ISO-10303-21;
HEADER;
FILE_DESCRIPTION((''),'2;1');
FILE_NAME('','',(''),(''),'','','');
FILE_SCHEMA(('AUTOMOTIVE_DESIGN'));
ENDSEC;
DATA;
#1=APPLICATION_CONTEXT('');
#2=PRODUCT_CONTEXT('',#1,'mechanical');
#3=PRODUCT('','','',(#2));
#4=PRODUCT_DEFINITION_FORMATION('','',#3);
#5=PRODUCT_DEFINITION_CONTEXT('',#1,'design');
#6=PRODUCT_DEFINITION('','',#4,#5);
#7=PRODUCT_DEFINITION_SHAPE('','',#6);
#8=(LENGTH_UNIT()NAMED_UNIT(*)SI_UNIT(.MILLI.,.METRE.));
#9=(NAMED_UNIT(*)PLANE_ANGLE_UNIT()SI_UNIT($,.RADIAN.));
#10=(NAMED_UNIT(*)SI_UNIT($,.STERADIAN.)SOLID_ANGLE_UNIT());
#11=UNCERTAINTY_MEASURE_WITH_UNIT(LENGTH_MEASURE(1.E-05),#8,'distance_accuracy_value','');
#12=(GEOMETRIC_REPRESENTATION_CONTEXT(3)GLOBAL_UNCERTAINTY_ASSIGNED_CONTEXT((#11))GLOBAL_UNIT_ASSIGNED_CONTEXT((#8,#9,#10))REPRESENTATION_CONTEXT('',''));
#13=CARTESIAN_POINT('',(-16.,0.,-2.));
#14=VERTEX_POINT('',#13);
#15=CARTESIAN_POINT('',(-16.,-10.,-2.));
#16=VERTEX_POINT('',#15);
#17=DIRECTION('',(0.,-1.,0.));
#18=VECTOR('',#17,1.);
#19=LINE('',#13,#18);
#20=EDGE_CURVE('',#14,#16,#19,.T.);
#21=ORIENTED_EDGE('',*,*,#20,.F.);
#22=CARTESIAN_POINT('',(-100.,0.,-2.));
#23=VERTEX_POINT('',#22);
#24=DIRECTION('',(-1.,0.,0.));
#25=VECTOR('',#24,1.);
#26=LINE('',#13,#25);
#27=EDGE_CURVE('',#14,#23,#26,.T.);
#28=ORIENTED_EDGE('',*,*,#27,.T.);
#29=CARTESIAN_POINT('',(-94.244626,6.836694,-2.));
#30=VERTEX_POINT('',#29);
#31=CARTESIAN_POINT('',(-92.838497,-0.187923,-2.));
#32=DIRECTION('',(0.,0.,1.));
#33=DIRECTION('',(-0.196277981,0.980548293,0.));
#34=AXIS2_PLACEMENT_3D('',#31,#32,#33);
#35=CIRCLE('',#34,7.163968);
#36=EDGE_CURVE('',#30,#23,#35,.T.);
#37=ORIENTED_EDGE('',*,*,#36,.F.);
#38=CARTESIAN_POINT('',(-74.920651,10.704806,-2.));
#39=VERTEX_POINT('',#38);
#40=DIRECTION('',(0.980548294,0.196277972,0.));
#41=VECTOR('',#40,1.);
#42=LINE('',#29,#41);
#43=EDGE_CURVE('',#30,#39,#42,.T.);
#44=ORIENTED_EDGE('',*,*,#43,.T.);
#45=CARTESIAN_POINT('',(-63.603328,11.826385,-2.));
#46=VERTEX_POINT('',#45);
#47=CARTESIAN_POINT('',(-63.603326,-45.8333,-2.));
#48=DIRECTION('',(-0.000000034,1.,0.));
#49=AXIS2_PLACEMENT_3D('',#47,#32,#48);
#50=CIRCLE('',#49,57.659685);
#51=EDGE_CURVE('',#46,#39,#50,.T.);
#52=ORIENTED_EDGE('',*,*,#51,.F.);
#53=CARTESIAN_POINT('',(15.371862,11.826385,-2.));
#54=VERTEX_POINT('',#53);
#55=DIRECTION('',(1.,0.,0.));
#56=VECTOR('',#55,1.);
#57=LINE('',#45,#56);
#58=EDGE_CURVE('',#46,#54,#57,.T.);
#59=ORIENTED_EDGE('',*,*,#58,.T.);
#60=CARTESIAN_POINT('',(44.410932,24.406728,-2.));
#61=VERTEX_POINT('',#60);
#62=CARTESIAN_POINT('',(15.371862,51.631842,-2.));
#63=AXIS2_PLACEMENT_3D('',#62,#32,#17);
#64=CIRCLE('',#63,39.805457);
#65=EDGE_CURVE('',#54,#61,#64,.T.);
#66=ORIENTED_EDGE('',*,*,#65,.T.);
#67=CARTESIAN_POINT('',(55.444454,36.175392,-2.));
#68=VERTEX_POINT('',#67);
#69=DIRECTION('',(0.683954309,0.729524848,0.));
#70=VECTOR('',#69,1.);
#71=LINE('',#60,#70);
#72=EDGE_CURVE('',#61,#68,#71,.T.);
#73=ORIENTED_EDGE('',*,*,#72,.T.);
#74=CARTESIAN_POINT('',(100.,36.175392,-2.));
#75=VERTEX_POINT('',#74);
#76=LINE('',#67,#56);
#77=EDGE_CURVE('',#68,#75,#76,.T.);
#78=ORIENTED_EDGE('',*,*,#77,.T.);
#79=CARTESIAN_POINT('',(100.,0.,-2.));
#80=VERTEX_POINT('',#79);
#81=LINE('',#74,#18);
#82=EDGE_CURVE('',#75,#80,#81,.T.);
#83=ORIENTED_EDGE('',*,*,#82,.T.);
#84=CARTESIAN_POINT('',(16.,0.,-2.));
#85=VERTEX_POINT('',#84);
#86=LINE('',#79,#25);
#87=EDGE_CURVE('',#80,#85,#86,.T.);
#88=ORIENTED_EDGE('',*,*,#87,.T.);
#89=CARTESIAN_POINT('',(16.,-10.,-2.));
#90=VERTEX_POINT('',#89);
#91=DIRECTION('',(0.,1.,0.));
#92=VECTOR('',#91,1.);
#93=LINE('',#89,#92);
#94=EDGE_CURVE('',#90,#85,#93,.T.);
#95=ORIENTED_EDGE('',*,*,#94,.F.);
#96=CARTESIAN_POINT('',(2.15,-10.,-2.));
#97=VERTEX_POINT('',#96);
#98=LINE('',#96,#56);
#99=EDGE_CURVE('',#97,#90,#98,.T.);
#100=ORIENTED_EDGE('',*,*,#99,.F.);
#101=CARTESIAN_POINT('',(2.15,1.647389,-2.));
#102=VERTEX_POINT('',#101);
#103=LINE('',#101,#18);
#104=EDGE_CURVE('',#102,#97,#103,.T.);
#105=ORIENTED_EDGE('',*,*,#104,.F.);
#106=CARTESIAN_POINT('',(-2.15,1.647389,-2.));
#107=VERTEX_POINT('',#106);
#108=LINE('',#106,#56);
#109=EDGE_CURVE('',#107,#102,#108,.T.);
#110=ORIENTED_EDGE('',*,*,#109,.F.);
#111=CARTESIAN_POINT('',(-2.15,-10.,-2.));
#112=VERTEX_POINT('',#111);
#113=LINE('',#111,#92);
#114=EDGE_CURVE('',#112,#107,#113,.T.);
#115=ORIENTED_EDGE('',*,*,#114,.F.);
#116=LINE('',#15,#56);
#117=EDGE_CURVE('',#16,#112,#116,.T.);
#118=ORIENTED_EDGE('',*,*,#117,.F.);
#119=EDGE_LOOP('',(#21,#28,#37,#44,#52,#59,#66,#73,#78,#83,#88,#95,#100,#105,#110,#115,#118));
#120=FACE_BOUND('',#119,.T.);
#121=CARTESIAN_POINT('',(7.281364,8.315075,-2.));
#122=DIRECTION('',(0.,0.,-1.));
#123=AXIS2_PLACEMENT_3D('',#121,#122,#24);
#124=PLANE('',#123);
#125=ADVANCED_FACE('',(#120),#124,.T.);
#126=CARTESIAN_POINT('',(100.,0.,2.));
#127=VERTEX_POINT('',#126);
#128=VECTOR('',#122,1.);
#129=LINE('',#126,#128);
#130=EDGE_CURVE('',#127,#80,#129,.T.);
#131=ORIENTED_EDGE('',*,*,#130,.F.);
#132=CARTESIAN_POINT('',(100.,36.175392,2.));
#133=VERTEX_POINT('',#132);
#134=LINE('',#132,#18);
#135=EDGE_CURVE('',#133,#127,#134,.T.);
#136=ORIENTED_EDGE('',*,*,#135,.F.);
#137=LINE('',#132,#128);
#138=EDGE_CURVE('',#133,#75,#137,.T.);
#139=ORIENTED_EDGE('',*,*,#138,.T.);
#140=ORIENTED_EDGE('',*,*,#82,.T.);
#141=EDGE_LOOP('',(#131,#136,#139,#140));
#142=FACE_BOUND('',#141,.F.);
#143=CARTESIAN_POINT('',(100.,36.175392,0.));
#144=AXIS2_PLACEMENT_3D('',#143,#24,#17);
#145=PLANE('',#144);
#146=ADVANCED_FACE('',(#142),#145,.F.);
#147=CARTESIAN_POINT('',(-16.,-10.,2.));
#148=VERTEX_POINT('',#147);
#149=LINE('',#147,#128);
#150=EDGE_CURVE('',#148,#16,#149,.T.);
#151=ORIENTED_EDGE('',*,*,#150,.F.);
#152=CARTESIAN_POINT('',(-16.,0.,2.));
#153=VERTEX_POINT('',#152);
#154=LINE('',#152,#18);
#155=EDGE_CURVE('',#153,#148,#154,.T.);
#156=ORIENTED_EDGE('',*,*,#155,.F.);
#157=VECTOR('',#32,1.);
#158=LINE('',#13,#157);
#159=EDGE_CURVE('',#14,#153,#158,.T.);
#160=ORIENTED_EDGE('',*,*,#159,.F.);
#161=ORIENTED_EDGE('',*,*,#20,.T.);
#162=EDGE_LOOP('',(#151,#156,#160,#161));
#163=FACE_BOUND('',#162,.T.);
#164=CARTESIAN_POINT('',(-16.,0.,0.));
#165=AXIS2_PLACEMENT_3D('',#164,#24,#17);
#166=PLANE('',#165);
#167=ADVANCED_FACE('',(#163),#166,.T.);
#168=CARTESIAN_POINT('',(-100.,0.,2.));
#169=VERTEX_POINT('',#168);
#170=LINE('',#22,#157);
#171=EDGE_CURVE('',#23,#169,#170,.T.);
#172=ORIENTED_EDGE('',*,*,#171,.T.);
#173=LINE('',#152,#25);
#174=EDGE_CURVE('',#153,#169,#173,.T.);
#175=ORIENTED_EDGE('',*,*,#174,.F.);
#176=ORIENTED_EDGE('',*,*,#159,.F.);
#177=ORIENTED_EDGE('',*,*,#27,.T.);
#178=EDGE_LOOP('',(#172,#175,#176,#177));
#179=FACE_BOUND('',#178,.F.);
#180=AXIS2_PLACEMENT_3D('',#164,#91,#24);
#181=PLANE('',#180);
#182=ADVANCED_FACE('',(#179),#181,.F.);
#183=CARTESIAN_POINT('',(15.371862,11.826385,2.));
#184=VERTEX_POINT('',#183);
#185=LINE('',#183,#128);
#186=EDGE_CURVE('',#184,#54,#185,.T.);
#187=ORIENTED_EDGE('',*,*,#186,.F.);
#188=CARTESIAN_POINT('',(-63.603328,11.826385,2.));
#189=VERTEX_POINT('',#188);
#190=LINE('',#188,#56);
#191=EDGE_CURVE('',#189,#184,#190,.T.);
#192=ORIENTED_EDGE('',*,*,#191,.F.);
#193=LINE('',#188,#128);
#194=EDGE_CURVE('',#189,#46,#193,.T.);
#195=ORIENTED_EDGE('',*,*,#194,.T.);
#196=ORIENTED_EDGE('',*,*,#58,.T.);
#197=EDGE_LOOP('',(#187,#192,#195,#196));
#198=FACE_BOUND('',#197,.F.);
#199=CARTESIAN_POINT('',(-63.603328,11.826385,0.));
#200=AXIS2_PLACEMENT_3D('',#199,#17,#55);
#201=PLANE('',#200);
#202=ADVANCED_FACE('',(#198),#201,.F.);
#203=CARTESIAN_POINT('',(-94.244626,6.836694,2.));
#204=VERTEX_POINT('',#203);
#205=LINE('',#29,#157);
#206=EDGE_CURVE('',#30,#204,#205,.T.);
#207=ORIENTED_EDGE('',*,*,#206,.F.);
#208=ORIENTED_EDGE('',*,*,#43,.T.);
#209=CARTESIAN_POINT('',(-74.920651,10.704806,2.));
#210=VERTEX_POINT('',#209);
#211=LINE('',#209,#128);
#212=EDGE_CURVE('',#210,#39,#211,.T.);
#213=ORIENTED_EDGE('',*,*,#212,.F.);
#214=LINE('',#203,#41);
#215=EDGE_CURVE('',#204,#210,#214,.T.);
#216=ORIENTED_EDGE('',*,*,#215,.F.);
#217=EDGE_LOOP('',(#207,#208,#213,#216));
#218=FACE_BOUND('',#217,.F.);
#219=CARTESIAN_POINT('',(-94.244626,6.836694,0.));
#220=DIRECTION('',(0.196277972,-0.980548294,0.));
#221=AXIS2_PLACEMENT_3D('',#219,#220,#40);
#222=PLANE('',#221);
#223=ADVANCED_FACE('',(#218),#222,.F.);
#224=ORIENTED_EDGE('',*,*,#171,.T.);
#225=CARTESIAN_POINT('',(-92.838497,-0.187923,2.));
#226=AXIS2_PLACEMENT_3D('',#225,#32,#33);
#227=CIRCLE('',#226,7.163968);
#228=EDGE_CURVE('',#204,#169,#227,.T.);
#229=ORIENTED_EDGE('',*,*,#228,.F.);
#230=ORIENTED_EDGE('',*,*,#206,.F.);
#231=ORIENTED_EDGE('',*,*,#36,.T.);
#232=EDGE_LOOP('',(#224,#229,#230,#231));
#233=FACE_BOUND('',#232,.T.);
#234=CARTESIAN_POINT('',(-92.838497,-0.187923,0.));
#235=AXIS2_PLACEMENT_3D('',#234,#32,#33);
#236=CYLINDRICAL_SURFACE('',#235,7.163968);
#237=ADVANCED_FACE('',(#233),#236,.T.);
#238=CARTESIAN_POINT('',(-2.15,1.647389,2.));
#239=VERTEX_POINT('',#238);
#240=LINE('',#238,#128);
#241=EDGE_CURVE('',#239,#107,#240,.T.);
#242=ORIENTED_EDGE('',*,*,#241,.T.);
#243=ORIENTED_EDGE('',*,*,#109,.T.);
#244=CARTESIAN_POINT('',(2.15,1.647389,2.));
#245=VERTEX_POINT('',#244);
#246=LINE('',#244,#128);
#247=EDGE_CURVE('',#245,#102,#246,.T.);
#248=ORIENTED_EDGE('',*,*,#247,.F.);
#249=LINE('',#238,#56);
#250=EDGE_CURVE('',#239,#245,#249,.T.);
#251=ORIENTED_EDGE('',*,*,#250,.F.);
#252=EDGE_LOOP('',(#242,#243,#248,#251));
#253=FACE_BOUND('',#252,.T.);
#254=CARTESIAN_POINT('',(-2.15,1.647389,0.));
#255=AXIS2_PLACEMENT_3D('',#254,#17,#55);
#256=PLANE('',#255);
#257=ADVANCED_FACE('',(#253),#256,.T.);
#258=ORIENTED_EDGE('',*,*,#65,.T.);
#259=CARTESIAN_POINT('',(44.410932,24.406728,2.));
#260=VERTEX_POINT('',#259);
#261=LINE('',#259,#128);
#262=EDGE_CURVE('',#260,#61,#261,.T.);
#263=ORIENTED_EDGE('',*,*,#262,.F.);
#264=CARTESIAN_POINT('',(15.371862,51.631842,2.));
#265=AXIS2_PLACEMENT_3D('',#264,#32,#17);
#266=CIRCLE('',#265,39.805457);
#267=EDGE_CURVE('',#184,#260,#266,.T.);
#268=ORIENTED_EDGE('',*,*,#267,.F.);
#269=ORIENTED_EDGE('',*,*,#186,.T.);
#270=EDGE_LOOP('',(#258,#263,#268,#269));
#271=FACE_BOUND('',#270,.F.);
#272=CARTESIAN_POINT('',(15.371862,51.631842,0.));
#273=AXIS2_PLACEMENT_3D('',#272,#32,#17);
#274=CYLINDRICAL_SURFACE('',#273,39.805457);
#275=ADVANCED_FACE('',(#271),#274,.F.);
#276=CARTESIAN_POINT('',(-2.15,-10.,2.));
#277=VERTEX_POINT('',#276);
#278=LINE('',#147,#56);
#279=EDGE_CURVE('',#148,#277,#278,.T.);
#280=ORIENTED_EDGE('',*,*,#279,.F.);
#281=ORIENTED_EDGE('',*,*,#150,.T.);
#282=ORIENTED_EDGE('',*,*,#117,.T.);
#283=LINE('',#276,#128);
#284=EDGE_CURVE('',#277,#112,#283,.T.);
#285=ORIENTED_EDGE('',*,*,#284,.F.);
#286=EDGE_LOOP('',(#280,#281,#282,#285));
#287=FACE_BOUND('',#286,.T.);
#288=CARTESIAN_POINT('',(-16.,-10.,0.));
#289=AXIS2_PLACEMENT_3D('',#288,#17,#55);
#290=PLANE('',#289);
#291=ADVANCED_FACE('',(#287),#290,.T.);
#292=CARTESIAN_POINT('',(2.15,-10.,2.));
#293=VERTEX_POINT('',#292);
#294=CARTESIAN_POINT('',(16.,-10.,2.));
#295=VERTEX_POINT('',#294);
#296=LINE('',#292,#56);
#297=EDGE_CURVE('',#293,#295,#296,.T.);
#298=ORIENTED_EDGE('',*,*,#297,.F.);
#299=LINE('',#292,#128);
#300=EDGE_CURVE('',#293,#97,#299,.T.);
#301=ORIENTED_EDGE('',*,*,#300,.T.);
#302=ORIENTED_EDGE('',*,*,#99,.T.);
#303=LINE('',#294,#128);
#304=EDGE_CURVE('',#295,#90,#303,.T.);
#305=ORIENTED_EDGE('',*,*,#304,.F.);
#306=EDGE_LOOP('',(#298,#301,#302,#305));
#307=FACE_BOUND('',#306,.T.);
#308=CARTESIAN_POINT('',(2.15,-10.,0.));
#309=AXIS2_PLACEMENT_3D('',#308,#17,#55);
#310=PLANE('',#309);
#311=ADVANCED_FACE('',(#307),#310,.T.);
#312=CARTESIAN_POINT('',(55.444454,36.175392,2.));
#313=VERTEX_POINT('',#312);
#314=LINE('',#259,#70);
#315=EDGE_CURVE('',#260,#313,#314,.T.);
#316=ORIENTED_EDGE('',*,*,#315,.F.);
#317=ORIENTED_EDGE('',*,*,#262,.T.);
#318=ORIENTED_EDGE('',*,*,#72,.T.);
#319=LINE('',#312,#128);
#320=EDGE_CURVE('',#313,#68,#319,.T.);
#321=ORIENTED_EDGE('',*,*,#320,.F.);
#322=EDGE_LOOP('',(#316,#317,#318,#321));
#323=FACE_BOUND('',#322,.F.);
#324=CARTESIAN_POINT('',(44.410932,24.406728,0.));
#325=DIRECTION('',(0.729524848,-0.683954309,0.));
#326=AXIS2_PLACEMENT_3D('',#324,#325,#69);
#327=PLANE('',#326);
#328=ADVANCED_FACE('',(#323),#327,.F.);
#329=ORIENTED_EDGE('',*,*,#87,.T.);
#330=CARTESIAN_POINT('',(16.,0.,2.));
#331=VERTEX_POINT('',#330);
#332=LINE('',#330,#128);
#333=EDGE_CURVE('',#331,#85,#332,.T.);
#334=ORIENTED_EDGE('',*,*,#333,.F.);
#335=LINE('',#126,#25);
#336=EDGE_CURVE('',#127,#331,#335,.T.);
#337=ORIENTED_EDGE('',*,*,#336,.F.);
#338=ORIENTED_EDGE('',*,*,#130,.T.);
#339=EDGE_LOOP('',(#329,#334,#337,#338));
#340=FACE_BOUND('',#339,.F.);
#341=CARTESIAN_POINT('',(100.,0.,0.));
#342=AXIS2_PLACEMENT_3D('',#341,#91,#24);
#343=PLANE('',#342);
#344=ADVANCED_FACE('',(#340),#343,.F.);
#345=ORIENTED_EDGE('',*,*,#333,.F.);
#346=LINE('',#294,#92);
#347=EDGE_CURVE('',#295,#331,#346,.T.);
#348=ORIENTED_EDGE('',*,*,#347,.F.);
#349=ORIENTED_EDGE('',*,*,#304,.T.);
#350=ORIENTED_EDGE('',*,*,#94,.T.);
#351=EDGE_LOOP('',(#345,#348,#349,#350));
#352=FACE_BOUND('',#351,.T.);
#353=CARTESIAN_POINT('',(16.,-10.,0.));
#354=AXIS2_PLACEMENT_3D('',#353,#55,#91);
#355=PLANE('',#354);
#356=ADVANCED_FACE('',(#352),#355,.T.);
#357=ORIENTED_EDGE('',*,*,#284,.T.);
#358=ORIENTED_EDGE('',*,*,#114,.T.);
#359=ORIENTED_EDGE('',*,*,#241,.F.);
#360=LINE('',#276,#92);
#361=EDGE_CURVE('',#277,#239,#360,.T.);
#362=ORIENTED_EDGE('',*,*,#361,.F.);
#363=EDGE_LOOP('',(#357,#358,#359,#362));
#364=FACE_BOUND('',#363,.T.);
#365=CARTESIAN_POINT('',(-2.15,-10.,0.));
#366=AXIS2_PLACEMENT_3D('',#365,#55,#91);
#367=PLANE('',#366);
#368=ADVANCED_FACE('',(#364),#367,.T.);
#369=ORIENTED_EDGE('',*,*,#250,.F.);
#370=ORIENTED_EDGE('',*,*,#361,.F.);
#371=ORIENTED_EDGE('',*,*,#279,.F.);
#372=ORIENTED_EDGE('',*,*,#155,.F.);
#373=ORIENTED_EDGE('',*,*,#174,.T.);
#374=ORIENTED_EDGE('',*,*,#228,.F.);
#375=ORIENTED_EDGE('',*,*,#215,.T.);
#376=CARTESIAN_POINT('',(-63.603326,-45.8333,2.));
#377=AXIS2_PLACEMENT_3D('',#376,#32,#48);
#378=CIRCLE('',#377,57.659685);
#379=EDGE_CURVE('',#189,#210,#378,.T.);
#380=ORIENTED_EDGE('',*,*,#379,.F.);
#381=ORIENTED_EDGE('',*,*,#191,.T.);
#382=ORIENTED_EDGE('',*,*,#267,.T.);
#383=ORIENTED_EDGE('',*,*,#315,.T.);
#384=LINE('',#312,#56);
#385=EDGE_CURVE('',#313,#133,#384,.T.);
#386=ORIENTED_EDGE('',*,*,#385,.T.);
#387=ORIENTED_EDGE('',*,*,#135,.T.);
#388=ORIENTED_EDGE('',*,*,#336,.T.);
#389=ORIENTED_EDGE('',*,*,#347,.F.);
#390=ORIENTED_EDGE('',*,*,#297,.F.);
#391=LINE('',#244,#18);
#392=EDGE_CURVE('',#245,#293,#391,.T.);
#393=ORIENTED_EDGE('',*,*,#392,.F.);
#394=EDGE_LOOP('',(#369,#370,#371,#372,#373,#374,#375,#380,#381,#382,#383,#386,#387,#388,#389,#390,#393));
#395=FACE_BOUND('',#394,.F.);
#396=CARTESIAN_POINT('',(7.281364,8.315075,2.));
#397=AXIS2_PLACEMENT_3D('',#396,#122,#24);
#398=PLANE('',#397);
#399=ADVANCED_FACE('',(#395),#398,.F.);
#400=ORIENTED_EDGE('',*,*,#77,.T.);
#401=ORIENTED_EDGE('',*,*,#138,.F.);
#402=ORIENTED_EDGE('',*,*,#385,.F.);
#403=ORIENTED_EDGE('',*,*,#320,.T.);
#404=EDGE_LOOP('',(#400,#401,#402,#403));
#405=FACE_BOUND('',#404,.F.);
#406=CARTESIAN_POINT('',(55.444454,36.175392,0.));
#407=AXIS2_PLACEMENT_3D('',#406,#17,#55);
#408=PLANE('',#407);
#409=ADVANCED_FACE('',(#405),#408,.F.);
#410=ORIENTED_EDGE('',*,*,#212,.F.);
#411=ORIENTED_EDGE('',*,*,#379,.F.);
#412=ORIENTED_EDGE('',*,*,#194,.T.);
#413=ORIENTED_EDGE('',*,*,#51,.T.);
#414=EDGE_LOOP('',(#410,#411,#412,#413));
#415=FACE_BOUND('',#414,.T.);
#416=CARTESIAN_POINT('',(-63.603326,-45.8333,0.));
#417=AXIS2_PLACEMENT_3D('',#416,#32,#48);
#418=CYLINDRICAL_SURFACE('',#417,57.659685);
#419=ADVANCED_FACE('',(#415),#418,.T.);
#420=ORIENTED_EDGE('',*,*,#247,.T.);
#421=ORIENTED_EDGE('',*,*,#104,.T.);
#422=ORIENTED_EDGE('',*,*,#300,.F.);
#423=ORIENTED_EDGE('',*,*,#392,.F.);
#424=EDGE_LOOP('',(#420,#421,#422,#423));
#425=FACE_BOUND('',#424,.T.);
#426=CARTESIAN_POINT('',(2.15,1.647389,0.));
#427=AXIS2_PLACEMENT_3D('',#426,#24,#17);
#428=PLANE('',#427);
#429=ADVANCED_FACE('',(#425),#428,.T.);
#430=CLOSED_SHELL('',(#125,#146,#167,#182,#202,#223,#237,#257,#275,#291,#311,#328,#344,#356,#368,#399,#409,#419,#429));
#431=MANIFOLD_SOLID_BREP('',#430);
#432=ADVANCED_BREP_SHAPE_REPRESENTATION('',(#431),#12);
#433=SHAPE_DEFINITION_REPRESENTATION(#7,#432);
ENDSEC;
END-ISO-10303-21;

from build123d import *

# Parameters (mm, degrees)
PAD_DEPTH = 2


with BuildPart() as part:
    # CopySketch004 → Pad (new body, symmetric)
    with BuildSketch(Plane.XY):
        with BuildLine():
            Line((-94.244626, 6.836694), (-74.920651, 10.704806))
            ThreePointArc((-63.603328, 11.826385), (-69.28971, 11.545305), (-74.920651, 10.704806))
            Line((-63.603328, 11.826385), (-42.55212, 11.826385))
            Line((-42.55212, 11.826385), (15.371862, 11.826385))
            ThreePointArc((15.371862, 11.826385), (31.195362, 15.106628), (44.410932, 24.406728))
            Line((44.410932, 24.406728), (55.444454, 36.175392))
            Line((55.444454, 36.175392), (100, 36.175392))
            Line((100, 36.175392), (100, 0))
            Line((100, 0), (16, 0))
            Line((16, -10), (16, 0))
            Line((2.15, -10), (16, -10))
            Line((2.15, 1.647389), (2.15, -10))
            Line((-2.15, 1.647389), (2.15, 1.647389))
            Line((-2.15, -10), (-2.15, 1.647389))
            Line((-16, -10), (-2.15, -10))
            Line((-16, 0), (-16, -10))
            Line((-16, 0), (-100, 0))
            ThreePointArc((-94.244626, 6.836694), (-98.319024, 4.425781), (-100, 0))
        make_face()
    extrude(amount=PAD_DEPTH, both=True)


solid = part.part
